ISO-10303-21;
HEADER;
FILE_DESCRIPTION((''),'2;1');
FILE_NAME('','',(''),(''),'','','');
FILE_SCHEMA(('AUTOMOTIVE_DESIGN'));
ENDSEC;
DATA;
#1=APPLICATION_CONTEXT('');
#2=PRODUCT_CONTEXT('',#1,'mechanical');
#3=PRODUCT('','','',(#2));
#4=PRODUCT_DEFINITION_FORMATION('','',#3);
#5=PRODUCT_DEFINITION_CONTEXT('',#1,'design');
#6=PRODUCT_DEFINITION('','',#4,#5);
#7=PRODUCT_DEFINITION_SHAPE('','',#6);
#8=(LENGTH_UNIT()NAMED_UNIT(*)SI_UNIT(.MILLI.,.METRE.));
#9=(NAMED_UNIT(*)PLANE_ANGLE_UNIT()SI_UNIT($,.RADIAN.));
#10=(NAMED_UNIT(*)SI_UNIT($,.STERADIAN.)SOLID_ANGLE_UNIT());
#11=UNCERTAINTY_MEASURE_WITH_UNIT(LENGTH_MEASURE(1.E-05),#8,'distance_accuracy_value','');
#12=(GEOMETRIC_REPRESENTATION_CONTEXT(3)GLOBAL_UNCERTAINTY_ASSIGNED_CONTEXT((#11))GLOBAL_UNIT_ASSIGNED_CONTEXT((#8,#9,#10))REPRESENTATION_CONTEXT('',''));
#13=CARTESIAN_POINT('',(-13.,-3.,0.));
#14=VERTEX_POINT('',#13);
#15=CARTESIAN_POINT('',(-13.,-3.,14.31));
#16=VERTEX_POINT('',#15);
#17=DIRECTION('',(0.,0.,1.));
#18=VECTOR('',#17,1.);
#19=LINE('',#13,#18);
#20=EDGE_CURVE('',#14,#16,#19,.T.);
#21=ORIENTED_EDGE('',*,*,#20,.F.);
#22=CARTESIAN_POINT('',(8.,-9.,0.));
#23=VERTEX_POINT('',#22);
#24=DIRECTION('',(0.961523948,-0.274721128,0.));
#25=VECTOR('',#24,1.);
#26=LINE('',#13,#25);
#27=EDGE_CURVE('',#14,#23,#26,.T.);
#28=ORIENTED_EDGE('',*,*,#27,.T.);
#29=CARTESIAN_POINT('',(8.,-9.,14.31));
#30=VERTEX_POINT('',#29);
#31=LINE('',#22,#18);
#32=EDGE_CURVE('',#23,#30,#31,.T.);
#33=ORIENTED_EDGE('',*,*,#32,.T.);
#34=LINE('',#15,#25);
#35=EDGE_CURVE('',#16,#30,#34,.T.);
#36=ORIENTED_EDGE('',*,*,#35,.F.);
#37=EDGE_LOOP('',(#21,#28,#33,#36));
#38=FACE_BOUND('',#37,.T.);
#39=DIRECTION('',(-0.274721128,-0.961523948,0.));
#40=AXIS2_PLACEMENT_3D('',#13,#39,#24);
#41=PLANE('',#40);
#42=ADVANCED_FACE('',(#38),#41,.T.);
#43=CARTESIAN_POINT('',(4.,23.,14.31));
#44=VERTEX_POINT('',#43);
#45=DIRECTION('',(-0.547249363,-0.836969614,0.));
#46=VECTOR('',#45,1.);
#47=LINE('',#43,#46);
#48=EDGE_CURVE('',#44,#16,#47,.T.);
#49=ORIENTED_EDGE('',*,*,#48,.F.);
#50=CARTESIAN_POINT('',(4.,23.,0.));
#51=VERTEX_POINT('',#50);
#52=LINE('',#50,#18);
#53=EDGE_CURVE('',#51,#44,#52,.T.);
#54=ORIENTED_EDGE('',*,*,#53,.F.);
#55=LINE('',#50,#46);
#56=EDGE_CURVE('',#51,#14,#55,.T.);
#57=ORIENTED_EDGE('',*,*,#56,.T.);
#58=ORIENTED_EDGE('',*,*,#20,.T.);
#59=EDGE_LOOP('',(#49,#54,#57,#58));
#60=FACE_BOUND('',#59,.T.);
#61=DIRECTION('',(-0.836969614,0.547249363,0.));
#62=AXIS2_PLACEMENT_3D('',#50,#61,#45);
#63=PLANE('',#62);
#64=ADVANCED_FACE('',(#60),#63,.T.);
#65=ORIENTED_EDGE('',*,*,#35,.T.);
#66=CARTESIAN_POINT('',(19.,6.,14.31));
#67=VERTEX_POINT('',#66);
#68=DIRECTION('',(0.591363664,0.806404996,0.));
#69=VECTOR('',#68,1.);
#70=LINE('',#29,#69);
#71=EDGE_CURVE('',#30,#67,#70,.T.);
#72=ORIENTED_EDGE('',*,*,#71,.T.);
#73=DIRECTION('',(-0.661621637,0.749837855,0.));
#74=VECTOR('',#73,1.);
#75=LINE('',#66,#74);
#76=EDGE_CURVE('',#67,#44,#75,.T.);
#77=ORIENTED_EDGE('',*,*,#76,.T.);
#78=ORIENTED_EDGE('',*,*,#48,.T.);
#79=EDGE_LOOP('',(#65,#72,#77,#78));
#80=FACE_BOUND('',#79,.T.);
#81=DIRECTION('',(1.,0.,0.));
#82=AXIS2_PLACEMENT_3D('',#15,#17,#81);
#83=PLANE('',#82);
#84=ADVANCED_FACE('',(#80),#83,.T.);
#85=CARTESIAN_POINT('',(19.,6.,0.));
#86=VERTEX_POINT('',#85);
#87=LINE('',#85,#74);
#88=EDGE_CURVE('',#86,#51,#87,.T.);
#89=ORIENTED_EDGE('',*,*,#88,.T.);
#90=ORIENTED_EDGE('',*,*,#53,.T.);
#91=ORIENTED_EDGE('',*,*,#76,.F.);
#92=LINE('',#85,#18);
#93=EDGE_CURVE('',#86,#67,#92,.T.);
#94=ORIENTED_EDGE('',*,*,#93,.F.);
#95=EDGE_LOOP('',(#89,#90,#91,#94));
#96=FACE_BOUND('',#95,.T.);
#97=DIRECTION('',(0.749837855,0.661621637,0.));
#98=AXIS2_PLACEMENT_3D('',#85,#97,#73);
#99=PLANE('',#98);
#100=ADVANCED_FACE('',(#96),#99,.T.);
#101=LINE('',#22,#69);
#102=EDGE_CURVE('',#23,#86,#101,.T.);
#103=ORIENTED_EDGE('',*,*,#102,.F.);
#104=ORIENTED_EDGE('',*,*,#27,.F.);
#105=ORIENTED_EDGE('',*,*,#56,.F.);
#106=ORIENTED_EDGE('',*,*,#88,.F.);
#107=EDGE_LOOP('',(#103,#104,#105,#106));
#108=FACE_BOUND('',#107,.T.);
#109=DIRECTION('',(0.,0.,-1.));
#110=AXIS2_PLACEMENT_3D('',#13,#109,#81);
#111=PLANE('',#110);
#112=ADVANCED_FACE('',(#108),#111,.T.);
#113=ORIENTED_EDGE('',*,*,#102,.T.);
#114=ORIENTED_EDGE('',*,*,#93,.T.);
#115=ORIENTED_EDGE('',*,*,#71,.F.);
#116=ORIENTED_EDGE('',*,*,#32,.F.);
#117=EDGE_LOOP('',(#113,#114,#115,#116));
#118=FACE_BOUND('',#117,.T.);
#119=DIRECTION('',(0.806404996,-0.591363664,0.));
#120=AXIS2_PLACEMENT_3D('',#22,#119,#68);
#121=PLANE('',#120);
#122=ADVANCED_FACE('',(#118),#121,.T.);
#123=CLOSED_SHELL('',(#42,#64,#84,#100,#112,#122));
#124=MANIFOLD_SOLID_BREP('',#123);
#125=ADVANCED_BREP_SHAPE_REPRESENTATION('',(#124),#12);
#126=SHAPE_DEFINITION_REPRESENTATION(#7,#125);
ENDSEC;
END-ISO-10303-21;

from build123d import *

# Parameters (mm, degrees)
BOSS_EXTRUDE1_DEPTH = 14.31


with BuildPart() as part:
    # Sketch1 → Boss-Extrude1 (new body)
    with BuildSketch(Plane.XY):
        Polygon((-13, -3), (8, -9), (19, 6), (4, 23), align=None)
    extrude(amount=BOSS_EXTRUDE1_DEPTH)


solid = part.part
